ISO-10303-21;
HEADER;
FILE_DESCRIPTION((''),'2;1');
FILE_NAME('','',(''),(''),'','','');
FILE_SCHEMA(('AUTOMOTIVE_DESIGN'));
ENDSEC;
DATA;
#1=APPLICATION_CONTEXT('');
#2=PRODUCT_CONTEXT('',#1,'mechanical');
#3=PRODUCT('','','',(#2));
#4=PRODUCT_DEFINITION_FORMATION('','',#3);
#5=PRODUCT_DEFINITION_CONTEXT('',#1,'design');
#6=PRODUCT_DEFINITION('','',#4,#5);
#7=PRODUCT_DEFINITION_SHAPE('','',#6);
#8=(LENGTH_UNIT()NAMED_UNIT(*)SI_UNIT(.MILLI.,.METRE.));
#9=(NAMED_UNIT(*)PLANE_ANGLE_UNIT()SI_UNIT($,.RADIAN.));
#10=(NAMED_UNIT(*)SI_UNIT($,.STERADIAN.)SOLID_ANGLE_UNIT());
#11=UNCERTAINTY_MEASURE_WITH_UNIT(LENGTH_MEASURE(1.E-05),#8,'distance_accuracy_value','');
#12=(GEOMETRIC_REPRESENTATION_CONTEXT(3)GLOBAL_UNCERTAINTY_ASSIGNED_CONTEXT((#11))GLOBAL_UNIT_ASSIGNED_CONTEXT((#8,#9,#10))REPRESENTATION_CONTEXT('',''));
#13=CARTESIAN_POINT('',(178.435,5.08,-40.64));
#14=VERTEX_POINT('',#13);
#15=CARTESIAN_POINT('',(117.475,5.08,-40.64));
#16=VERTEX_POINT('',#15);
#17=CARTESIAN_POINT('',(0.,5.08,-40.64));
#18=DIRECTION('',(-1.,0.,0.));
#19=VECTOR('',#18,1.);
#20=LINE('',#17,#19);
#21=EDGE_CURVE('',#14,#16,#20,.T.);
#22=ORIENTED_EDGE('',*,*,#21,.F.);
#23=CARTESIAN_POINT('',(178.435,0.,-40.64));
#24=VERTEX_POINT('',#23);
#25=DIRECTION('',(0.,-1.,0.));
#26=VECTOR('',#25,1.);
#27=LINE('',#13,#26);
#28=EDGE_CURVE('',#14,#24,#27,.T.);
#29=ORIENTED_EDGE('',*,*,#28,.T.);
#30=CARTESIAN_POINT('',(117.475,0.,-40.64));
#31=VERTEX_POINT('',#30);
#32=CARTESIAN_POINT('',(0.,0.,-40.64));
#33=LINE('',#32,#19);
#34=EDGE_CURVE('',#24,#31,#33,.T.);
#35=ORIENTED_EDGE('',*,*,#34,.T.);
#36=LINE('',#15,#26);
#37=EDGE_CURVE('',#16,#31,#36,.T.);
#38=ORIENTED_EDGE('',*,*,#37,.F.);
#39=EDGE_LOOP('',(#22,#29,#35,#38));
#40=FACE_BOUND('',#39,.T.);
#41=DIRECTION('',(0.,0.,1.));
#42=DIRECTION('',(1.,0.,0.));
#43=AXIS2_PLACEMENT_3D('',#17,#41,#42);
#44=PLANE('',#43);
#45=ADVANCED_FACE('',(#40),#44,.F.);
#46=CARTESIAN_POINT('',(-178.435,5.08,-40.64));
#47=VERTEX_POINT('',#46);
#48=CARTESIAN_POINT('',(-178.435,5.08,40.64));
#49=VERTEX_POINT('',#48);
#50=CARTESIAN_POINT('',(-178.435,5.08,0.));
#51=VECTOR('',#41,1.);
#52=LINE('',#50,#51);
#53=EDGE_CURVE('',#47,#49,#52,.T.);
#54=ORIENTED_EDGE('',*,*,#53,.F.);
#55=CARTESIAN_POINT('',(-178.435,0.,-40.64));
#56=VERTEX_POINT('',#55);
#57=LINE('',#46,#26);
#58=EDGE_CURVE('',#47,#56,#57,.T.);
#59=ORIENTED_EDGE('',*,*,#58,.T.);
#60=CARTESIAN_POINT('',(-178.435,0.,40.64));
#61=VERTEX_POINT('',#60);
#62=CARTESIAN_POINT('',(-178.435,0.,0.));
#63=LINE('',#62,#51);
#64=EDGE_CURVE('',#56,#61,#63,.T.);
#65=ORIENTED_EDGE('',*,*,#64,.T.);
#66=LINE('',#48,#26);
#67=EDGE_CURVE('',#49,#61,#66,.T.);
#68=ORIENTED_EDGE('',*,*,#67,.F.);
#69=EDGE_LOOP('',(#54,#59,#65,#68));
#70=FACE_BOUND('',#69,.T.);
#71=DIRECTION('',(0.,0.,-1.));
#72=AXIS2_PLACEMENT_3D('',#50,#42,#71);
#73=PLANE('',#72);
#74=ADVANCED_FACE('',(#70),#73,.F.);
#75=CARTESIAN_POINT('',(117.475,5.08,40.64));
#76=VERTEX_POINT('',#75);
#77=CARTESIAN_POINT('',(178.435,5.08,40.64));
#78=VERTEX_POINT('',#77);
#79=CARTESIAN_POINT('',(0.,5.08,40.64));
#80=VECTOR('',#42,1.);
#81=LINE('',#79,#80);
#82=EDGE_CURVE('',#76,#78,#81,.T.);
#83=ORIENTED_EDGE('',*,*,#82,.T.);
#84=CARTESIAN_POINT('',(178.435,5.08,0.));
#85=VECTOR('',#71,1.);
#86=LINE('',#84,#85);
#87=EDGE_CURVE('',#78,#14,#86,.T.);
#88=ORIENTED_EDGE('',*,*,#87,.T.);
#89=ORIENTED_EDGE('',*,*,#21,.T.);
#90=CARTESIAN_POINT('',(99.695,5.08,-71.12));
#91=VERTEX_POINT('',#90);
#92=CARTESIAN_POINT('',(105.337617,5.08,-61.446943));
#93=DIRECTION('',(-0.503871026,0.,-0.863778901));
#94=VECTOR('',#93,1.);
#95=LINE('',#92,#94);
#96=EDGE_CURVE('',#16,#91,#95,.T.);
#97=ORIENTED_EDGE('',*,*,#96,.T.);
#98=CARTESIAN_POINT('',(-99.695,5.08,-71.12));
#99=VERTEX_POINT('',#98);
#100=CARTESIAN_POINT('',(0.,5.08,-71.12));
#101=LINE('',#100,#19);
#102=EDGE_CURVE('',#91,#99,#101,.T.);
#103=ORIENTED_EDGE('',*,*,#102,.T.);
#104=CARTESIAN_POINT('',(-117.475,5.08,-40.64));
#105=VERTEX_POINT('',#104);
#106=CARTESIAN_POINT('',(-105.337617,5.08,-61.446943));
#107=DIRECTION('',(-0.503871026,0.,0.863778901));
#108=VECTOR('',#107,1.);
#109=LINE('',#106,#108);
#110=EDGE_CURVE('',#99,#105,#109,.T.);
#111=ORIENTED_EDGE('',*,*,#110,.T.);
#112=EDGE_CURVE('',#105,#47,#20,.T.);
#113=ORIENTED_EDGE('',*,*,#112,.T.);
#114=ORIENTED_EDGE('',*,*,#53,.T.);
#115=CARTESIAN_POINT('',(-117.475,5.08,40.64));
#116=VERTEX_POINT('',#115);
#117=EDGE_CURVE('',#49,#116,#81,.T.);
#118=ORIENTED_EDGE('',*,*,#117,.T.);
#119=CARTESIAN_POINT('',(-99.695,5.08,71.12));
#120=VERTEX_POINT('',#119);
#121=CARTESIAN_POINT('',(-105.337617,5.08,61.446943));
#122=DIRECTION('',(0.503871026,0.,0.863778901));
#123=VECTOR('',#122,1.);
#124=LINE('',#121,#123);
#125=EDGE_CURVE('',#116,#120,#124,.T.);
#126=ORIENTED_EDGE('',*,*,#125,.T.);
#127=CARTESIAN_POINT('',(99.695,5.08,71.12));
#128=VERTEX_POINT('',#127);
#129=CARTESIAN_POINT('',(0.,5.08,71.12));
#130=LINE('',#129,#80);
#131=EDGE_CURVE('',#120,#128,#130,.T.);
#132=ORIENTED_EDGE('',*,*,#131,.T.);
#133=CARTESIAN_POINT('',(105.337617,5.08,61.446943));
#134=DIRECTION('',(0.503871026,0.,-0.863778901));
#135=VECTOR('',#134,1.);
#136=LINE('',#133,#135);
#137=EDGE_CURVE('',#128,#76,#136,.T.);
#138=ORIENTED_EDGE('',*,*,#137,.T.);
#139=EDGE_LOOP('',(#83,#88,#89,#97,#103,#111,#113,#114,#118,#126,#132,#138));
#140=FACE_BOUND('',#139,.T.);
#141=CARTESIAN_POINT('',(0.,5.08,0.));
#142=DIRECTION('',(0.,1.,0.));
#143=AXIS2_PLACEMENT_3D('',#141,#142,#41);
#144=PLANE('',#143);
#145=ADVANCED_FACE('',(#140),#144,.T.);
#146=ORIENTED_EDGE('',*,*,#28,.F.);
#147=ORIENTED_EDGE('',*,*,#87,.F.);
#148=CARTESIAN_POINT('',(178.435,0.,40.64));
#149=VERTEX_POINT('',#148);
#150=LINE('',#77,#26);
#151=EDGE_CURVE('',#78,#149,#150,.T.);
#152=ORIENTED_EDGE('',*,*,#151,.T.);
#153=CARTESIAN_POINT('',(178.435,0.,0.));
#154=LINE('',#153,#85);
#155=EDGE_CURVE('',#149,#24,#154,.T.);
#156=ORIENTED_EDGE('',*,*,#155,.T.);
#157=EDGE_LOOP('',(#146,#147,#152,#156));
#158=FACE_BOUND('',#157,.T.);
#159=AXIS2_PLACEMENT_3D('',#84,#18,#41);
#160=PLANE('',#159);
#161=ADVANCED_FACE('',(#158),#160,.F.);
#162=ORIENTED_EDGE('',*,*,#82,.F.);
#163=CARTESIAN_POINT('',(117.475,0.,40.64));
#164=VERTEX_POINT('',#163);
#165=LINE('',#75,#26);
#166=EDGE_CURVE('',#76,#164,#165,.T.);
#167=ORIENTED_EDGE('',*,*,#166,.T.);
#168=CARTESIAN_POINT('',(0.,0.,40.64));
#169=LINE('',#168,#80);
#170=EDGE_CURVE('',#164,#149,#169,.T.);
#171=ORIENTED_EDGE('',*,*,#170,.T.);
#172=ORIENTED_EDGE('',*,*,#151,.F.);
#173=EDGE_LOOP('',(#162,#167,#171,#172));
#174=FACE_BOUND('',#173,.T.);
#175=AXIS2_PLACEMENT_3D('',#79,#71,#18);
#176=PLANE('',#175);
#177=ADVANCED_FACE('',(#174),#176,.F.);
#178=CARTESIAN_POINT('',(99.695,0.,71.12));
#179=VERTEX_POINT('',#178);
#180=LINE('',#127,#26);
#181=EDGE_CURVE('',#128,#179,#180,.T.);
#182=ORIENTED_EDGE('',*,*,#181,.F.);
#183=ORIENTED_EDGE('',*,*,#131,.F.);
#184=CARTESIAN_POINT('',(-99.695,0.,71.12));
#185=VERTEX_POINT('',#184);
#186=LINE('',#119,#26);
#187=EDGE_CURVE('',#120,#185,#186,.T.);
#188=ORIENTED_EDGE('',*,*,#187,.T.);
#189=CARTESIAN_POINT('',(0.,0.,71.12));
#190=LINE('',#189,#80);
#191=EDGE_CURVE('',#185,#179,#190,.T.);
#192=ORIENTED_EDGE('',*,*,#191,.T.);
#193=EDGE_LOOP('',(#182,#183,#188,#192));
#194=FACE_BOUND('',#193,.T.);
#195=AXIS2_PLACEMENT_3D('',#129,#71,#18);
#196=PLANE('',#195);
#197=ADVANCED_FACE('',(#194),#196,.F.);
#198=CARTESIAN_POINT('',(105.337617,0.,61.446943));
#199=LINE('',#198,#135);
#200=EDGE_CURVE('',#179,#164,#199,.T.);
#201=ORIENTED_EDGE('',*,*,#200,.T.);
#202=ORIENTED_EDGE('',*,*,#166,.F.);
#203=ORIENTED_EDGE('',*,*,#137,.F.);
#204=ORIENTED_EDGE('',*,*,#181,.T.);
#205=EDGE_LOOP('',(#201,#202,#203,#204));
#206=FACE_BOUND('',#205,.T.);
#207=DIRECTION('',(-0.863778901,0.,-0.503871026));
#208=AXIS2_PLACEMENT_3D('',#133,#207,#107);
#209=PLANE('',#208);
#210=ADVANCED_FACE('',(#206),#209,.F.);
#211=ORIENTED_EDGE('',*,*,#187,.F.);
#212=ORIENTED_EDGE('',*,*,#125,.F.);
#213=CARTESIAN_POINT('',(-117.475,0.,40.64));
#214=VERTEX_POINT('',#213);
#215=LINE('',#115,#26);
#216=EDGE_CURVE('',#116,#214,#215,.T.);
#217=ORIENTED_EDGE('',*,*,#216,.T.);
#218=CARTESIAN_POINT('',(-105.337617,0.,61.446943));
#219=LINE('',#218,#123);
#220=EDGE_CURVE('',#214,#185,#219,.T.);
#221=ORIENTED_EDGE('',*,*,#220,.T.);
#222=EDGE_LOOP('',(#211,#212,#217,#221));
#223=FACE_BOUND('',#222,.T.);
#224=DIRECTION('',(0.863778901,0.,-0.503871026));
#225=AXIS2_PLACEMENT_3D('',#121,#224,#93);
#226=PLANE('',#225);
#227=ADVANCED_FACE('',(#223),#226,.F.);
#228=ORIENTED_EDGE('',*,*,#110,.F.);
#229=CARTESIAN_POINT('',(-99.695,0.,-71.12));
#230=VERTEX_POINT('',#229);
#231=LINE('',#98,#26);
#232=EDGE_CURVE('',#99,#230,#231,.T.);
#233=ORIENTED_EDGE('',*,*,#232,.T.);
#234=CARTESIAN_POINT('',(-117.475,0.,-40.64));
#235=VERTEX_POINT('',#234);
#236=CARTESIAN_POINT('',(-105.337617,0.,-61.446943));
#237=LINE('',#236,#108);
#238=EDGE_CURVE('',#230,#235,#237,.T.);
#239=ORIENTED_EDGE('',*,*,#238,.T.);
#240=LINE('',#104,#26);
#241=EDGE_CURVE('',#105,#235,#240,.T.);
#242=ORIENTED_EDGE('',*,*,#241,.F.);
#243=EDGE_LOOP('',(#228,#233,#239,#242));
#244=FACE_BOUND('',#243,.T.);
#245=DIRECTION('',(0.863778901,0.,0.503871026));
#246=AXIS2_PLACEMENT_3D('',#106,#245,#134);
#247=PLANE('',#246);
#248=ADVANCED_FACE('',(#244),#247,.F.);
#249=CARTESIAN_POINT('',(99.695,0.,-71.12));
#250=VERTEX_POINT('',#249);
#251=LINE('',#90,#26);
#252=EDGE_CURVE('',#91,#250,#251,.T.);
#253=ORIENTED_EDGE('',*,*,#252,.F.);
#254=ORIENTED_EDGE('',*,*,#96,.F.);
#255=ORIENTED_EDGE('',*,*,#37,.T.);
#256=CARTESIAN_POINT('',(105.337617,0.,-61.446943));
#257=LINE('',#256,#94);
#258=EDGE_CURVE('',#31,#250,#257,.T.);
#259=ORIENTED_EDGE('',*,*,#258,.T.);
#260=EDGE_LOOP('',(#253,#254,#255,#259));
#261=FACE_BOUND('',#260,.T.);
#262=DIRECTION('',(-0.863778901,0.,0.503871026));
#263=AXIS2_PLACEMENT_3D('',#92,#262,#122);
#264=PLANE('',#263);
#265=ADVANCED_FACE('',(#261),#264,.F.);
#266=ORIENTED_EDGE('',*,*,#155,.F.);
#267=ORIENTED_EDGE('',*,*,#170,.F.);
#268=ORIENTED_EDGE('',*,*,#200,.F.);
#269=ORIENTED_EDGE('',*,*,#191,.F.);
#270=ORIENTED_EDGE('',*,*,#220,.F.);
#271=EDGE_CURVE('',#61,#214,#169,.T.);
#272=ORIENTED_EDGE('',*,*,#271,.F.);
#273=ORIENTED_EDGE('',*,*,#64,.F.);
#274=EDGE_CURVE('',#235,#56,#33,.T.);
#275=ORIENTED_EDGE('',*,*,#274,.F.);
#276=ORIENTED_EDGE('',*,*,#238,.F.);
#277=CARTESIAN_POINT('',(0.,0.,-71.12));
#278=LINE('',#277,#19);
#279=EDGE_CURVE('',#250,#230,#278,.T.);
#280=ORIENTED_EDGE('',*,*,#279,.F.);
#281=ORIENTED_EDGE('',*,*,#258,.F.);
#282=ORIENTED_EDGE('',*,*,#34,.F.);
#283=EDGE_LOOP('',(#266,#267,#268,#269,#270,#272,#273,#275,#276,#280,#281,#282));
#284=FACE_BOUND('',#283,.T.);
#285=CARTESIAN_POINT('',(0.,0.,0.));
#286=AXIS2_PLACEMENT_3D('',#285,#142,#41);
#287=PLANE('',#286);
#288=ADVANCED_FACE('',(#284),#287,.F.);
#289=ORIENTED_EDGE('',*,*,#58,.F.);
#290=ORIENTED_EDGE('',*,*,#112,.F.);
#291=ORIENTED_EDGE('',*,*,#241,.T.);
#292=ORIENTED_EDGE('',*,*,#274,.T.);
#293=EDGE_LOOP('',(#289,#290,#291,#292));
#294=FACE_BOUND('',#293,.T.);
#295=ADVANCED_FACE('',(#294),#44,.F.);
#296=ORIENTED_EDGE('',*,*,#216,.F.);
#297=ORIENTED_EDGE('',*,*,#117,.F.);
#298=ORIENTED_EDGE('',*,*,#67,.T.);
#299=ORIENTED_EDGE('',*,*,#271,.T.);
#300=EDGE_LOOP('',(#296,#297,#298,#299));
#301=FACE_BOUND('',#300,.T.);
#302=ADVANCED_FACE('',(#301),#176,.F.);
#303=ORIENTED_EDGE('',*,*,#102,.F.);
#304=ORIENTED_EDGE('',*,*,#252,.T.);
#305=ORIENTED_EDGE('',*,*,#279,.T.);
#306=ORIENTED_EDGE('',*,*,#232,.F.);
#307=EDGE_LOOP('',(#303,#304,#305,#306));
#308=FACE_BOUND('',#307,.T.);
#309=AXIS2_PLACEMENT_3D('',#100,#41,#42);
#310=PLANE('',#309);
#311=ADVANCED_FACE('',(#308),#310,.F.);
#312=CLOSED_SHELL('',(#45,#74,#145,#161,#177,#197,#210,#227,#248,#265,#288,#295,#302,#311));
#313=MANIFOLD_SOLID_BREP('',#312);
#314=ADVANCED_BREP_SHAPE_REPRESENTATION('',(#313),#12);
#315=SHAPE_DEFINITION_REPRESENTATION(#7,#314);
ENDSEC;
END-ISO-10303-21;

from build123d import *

# Parameters (mm, degrees)
BOSS_EXTRUDE1_DEPTH = 5.08


with BuildPart() as part:
    # Sketch1 → Boss-Extrude1 (new body)
    with BuildSketch(Plane(origin=(0, 0, 0), x_dir=(1, 0, 0), z_dir=(0, 1, 0))):
        Polygon((178.435, 40.64), (117.475, 40.64), (99.695, 71.12), (-99.695, 71.12), (-117.475, 40.64), (-178.435, 40.64), (-178.435, -40.64), (-117.475, -40.64), (-99.695, -71.12), (99.695, -71.12), (117.475, -40.64), (178.435, -40.64), align=None)
    extrude(amount=BOSS_EXTRUDE1_DEPTH)


solid = part.part
